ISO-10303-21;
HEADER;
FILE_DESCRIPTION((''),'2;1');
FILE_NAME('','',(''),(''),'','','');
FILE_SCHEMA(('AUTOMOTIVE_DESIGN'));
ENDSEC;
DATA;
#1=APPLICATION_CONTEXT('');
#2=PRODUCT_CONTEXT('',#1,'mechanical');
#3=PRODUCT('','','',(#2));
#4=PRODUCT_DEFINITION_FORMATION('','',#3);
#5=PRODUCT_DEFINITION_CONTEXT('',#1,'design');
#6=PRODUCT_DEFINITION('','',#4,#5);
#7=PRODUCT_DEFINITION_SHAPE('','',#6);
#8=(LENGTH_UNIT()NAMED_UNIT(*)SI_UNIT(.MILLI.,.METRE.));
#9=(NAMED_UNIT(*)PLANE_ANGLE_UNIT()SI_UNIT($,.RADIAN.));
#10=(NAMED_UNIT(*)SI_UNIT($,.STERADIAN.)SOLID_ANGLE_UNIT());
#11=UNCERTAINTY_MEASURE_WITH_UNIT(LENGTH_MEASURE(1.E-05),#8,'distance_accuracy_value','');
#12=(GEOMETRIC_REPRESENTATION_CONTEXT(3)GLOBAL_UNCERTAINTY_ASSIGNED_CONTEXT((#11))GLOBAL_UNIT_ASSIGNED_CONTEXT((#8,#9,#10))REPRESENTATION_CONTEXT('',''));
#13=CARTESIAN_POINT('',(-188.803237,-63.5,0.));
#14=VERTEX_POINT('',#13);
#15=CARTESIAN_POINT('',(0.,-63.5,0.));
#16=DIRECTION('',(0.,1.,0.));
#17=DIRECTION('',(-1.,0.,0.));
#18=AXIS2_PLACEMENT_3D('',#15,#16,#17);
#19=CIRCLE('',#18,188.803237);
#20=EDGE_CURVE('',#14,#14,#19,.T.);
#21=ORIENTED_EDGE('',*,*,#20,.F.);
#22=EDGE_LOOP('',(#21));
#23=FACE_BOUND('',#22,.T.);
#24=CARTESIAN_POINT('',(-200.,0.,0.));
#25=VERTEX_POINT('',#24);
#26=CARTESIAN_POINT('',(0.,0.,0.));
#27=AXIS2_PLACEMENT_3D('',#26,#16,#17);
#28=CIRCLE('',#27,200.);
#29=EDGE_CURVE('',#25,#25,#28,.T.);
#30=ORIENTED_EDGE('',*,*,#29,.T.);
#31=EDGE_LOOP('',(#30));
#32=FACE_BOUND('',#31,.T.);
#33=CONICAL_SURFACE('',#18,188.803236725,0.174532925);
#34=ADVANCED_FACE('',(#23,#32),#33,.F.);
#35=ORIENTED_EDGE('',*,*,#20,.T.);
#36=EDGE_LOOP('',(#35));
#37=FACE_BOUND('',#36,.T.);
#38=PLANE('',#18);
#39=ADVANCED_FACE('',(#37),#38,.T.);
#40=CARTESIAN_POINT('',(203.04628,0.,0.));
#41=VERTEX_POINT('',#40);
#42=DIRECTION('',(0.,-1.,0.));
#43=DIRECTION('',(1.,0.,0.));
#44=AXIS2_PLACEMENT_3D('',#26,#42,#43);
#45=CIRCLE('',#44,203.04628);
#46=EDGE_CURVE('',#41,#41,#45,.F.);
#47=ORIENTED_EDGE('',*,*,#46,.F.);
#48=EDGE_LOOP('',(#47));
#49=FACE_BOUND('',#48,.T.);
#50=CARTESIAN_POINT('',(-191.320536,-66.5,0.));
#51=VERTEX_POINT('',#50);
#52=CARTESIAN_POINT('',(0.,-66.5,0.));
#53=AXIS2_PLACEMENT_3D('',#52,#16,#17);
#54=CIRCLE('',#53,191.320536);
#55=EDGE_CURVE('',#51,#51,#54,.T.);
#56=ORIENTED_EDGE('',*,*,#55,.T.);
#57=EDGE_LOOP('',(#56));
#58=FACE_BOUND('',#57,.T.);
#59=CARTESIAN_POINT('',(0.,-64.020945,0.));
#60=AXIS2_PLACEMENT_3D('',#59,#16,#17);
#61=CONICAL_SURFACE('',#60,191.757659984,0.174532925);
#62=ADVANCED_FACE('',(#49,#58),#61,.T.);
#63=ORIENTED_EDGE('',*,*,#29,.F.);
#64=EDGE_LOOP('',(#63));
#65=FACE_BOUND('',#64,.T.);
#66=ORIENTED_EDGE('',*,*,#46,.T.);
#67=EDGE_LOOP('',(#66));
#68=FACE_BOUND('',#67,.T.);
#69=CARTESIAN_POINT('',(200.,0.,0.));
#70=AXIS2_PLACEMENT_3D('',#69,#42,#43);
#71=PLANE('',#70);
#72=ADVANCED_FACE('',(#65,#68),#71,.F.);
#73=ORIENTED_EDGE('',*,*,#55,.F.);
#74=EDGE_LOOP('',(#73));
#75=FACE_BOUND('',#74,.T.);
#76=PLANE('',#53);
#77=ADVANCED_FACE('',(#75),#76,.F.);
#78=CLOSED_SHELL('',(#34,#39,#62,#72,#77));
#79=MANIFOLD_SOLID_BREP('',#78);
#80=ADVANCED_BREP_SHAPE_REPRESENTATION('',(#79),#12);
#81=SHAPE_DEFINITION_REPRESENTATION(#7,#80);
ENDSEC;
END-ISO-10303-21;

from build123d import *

# Parameters (mm, degrees)
SHELL2_T = 3


with BuildPart() as part:
    # Sketch1 → Revolve1 (revolve)
    with BuildSketch(Plane.XY, mode=Mode.PRIVATE) as revolve1_sk:
        Polygon((0, 0), (0, -63.5), (188.803236725, -63.5), (200, 0), align=None)
    revolve(revolve1_sk.sketch.rotate(Axis((0, 0, 0), (0, -1, 0)), 180), axis=Axis((0, 0, 0), (0, -1, 0)))

    # Shell2
    shell2_openings = [part.faces().sort_by_distance(p)[0] for p in [
        (0, 0, 0),
    ]]
    offset(amount=SHELL2_T, openings=shell2_openings, kind=Kind.INTERSECTION)


solid = part.part
